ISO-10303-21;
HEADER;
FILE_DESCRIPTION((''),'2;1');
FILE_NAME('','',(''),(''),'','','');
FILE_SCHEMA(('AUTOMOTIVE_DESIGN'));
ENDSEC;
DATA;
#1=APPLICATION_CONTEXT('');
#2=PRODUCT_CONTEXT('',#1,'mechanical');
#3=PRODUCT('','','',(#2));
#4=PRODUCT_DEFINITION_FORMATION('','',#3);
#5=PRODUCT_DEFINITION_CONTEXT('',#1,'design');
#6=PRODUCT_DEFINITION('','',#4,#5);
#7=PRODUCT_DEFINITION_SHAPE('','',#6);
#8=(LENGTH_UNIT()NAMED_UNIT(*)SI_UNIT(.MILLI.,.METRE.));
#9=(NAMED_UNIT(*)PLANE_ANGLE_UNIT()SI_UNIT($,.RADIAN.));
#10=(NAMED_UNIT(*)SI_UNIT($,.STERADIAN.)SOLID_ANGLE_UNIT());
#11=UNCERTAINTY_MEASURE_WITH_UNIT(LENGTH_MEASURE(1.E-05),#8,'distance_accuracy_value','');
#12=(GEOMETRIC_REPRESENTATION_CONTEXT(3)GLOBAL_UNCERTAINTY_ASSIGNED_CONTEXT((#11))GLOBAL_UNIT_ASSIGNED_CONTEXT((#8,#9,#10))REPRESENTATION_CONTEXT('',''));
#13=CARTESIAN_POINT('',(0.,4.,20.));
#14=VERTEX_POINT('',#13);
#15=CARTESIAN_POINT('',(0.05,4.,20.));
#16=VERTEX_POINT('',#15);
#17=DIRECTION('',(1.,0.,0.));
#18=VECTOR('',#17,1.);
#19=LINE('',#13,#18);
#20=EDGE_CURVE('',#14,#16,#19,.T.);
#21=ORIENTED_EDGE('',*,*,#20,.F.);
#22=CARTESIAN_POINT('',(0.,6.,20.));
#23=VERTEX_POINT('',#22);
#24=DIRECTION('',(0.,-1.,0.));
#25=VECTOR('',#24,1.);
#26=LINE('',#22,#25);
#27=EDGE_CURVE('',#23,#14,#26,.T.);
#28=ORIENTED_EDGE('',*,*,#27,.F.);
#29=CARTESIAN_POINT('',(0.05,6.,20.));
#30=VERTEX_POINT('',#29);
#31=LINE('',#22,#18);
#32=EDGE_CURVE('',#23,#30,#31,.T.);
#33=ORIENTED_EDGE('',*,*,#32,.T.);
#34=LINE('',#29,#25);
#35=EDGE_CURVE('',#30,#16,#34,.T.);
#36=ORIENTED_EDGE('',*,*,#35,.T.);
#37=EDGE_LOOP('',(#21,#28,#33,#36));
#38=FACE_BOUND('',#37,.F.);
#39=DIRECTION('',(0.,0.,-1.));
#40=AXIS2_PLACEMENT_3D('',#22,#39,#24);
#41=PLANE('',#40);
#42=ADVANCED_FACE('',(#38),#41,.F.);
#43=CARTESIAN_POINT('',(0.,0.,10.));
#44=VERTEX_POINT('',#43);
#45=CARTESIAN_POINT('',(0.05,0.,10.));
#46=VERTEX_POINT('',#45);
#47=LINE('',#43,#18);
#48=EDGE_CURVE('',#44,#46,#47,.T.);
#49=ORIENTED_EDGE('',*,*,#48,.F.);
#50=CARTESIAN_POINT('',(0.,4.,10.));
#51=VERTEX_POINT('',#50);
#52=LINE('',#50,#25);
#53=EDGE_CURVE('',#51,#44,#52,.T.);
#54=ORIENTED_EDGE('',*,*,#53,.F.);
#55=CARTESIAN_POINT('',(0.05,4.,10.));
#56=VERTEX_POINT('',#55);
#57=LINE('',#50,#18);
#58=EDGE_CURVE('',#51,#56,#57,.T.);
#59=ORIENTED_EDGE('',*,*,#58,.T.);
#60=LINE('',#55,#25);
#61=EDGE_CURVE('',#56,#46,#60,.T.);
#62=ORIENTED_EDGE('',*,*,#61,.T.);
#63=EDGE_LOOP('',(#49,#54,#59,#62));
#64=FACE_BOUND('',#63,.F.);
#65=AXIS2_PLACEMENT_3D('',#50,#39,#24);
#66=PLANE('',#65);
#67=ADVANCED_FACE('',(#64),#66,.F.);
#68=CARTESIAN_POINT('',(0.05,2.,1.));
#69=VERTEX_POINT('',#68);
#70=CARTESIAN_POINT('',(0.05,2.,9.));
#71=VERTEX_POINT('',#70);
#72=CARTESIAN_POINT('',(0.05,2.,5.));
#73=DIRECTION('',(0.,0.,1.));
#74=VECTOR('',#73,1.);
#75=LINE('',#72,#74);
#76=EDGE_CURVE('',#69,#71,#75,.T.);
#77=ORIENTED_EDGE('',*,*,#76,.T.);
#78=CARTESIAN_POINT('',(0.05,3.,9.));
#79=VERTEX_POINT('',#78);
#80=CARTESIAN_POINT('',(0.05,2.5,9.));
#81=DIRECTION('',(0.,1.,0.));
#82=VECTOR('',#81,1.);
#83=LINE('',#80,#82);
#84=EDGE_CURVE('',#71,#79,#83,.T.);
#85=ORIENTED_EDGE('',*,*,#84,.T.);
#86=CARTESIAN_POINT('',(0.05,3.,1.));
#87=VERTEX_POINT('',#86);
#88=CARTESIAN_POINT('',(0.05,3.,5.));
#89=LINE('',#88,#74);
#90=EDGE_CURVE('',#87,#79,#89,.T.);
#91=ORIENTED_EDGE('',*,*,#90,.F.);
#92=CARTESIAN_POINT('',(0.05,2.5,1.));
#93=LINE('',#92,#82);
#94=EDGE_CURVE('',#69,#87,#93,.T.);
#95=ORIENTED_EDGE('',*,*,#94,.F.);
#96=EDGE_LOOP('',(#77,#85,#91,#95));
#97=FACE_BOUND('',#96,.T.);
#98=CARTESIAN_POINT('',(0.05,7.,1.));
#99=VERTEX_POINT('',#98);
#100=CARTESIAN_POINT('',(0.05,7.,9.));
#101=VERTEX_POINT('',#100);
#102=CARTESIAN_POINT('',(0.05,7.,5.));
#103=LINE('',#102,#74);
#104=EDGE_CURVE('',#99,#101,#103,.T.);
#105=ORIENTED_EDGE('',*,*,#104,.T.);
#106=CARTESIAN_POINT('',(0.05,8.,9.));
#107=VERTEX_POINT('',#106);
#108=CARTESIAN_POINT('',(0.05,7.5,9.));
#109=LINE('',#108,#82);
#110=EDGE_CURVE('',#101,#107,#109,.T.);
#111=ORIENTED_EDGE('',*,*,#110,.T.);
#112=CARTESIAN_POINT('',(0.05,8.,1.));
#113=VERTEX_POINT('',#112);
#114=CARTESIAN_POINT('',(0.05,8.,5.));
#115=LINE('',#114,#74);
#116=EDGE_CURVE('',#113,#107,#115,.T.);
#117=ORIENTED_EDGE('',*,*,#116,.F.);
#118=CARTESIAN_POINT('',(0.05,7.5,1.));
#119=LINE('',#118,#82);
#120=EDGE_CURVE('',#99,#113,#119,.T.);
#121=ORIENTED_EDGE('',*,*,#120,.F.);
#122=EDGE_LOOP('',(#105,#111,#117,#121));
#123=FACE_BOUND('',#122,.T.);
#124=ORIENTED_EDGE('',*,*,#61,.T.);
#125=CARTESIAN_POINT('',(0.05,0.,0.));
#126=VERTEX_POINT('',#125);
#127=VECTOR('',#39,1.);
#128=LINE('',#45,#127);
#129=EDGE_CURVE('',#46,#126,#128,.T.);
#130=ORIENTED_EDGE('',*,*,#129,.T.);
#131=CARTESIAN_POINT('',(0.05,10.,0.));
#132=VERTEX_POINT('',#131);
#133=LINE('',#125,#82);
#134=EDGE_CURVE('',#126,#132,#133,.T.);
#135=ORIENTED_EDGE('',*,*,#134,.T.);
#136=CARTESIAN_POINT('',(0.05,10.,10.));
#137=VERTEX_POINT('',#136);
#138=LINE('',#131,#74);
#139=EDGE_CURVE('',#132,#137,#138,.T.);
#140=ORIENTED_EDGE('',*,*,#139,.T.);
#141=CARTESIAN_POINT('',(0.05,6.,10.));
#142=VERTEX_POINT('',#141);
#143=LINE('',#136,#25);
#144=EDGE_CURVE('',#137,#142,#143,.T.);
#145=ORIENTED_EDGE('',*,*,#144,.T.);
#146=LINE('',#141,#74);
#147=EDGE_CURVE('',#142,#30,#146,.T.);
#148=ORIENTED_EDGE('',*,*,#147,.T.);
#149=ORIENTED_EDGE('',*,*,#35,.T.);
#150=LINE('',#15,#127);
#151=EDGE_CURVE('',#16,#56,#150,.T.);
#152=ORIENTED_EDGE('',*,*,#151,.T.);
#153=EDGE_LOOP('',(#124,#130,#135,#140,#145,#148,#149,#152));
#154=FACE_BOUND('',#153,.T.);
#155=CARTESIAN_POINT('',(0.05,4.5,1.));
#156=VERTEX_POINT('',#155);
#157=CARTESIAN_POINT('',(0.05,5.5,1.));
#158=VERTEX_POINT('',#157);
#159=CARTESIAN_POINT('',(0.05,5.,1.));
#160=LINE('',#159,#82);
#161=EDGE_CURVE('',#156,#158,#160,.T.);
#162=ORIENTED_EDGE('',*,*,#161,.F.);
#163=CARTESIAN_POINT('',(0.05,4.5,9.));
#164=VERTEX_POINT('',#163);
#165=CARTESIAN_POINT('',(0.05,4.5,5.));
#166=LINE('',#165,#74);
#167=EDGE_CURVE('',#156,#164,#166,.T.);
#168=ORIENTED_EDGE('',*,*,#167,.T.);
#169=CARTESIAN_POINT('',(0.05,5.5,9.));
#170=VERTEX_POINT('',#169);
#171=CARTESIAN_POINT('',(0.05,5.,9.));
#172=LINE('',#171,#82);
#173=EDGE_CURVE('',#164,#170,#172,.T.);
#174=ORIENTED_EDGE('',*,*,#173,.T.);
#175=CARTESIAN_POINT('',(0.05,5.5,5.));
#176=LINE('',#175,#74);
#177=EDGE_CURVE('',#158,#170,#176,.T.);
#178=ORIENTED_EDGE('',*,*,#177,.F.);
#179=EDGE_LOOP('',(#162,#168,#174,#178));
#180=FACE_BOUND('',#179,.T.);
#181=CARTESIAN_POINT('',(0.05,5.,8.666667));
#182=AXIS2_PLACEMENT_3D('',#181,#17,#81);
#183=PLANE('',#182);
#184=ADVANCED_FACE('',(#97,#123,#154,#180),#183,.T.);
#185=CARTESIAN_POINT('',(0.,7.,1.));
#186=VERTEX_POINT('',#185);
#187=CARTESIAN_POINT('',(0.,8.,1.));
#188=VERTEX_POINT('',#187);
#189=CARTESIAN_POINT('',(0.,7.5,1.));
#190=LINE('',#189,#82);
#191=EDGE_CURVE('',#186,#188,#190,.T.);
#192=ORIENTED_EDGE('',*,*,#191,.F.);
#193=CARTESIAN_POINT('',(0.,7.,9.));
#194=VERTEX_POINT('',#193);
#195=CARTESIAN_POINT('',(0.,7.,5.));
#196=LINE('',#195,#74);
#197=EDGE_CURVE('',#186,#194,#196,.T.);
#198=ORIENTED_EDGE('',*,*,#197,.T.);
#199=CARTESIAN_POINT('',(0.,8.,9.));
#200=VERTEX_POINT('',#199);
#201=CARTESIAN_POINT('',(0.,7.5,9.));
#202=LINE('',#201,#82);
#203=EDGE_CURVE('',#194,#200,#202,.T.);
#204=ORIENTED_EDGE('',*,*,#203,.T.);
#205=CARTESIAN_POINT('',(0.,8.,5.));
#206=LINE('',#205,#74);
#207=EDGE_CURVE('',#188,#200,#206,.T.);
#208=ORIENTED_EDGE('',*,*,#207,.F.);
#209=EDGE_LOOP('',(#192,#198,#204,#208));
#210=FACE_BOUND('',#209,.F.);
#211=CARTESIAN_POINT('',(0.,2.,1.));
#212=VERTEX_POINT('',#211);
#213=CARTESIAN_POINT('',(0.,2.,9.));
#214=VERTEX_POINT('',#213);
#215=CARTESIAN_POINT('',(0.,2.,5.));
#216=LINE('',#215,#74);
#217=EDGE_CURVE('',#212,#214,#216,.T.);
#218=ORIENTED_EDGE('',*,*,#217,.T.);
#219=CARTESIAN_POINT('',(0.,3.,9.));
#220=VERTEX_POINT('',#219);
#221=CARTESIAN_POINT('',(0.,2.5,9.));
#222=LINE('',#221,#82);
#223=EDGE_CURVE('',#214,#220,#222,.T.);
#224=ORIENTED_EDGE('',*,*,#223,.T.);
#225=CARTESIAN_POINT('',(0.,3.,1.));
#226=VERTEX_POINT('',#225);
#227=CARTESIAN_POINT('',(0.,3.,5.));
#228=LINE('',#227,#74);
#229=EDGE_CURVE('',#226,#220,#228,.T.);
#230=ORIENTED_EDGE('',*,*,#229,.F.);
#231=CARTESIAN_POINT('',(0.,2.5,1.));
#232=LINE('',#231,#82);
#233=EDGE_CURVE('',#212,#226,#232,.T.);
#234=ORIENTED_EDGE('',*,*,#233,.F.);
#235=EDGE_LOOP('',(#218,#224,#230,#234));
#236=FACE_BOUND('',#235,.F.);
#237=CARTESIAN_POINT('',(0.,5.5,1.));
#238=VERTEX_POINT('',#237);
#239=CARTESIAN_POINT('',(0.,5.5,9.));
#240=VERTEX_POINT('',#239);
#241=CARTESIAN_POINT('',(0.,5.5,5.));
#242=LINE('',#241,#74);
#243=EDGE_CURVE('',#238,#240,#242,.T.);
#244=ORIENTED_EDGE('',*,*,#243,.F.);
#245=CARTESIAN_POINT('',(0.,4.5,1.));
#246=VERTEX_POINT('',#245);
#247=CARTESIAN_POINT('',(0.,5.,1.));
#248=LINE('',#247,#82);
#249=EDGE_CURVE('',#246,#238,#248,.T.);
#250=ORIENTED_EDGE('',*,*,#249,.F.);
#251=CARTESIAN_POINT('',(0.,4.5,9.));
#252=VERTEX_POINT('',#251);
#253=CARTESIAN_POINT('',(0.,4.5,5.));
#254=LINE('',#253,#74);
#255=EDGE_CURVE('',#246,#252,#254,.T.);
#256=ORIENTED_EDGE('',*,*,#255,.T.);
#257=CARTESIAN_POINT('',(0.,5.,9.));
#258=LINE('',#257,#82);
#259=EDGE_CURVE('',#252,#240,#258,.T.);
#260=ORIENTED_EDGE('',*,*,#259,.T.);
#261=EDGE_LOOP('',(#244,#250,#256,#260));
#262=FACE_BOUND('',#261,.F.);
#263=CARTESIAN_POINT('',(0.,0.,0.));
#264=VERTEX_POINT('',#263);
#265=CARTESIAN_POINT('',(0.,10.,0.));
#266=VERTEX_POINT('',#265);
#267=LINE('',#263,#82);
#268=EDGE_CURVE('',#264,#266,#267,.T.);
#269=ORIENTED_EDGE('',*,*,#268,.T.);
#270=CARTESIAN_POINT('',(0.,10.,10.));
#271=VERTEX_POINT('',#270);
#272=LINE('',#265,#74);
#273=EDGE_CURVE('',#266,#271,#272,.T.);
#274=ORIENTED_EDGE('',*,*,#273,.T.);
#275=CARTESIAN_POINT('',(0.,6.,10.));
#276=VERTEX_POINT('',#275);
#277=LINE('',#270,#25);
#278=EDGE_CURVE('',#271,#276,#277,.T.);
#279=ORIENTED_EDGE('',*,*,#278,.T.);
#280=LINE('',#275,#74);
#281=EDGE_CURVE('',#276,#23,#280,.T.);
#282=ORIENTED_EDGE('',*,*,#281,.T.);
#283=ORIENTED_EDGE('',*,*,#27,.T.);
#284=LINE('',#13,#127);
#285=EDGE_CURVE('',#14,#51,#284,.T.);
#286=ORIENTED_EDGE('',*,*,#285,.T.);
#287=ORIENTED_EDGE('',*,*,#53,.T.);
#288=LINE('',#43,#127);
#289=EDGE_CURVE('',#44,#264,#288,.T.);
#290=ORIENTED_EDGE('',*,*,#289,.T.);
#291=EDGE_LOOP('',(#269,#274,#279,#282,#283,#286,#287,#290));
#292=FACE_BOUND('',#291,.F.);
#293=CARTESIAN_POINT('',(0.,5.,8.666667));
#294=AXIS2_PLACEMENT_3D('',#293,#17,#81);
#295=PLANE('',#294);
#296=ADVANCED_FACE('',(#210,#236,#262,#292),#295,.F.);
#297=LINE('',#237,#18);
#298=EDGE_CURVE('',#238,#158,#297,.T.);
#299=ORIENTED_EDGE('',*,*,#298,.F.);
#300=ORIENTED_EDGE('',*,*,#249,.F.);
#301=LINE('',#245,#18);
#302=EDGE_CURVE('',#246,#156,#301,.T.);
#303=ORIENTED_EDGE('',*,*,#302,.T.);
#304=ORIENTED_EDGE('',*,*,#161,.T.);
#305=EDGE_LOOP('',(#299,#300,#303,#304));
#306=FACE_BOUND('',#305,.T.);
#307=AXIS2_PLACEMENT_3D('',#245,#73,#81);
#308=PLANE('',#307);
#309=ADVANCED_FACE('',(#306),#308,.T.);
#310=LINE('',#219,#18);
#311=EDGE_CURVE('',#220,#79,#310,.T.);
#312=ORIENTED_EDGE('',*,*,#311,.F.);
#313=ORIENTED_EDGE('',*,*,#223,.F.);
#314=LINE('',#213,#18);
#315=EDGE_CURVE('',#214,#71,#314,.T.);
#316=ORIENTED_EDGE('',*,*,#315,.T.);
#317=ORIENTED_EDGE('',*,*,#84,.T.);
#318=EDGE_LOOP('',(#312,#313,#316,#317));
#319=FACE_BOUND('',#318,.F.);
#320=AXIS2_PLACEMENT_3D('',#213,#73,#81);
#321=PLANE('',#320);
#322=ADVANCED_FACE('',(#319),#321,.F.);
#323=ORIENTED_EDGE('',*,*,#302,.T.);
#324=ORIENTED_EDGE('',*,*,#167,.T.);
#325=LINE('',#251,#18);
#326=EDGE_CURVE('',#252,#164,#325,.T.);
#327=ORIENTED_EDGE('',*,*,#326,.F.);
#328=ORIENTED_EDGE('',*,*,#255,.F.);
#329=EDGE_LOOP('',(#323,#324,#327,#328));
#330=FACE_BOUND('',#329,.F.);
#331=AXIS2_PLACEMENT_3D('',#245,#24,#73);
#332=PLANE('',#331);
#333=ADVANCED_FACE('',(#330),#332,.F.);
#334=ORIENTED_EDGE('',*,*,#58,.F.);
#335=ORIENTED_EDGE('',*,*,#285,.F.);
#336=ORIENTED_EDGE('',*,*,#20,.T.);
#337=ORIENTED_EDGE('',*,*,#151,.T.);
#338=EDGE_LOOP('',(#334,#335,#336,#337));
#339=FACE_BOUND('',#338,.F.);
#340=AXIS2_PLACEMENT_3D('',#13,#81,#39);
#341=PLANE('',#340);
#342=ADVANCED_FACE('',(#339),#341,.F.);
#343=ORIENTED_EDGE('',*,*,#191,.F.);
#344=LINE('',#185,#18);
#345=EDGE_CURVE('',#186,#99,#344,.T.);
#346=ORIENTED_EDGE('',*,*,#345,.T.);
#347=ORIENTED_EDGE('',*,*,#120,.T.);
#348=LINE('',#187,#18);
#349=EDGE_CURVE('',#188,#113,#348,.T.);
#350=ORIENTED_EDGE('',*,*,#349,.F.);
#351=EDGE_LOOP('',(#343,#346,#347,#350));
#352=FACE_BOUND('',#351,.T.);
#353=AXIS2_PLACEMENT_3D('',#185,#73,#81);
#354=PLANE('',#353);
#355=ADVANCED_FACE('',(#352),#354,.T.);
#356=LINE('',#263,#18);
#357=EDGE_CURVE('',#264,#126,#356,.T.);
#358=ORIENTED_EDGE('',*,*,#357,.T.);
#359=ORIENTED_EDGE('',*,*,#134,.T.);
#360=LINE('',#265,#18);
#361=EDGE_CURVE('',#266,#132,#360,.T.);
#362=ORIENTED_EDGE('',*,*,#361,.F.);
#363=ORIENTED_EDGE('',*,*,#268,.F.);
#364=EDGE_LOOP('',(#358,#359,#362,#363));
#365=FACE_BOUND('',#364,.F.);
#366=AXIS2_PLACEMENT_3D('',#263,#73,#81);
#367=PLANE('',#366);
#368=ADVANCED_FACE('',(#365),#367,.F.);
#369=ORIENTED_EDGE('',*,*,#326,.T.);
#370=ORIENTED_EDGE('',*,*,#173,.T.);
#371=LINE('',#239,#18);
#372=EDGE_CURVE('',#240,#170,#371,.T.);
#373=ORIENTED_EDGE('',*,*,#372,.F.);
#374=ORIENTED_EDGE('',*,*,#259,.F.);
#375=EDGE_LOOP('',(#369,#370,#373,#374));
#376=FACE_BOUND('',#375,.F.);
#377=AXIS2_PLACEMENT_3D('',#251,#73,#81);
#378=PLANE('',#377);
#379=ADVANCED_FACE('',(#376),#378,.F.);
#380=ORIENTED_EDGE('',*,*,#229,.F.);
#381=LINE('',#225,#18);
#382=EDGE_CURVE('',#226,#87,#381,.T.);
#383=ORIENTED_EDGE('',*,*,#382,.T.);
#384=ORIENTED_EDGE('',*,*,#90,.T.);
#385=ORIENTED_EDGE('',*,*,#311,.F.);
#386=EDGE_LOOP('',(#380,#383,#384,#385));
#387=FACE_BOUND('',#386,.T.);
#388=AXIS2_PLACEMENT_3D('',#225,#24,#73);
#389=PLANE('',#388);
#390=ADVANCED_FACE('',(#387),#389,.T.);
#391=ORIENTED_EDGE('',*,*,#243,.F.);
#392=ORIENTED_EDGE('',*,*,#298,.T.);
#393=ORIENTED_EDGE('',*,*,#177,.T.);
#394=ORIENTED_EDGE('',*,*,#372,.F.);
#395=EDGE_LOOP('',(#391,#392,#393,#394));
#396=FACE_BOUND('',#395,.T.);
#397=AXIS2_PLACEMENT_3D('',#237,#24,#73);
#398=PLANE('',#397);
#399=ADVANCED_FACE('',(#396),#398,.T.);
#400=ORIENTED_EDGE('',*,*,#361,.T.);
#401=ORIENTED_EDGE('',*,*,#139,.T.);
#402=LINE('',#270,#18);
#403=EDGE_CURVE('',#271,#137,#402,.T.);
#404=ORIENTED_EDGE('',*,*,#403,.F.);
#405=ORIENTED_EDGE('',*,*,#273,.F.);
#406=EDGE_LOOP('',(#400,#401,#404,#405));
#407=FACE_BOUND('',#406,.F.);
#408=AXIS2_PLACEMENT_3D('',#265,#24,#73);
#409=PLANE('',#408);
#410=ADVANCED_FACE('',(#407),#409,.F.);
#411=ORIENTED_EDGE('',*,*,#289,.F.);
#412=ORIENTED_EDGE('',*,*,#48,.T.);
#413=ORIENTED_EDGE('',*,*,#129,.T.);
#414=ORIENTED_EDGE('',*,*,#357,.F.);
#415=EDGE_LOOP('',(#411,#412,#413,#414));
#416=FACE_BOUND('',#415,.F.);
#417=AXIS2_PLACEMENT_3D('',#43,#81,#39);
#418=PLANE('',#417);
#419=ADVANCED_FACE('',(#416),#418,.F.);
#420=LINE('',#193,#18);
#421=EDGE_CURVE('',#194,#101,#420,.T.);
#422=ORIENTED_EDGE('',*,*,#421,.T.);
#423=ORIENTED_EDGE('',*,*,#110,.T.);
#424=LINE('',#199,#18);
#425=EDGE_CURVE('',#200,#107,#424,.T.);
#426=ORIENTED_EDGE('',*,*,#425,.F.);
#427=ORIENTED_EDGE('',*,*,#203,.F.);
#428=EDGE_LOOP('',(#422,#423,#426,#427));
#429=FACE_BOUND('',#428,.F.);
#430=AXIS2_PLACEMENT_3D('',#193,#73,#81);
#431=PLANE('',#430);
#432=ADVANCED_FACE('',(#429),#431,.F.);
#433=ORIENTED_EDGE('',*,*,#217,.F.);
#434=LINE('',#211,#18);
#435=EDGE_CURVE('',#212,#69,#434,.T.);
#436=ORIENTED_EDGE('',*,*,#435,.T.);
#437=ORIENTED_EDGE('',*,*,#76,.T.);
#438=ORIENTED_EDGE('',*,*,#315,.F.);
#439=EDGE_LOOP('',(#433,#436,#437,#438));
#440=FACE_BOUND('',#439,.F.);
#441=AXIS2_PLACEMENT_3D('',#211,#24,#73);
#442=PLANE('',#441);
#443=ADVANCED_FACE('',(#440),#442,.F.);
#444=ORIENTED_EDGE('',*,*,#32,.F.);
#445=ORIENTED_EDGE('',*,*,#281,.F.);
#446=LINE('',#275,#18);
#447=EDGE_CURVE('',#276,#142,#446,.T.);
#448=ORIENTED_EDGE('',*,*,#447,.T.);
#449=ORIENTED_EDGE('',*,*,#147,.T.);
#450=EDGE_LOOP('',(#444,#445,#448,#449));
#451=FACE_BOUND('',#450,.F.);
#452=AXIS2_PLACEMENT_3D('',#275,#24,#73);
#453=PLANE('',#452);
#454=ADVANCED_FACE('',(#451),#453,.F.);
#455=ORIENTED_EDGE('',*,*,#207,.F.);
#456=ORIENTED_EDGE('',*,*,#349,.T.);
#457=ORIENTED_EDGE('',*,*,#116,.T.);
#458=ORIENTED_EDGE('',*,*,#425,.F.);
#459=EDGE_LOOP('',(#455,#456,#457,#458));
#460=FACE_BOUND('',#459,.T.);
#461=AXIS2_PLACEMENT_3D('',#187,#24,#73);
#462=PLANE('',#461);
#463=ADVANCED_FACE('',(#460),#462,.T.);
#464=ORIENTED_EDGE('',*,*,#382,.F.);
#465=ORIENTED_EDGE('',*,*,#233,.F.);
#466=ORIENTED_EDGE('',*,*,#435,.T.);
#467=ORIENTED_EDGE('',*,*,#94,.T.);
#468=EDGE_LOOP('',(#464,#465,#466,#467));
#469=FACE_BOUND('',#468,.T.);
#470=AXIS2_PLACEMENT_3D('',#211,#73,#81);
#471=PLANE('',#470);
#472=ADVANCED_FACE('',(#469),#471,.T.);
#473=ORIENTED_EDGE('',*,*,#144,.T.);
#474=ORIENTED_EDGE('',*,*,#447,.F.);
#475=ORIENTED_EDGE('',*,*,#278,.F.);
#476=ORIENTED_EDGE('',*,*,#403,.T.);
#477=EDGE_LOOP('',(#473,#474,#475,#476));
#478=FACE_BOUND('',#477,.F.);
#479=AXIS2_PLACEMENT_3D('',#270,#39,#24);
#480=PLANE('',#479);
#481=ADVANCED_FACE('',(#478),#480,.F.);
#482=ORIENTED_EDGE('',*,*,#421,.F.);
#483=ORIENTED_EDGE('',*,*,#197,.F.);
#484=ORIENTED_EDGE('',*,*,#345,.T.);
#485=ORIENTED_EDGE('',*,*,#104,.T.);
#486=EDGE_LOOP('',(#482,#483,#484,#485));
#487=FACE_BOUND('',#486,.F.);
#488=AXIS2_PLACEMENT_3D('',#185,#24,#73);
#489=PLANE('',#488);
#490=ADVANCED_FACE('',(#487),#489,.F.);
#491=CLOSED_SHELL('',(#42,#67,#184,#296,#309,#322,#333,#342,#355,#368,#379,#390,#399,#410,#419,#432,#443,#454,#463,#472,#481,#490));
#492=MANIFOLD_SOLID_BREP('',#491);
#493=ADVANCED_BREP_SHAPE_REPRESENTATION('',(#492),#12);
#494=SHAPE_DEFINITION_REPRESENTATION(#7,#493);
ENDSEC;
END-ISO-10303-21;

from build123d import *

# Parameters (mm, degrees)
F0_W     = 1
F0_H     = 8
F1_DEPTH = 0.05


with BuildPart() as f1:
    # F0 (on Right) → F1 (new body)
    with BuildSketch(Plane.YZ):
        Polygon((0, 1), (0, 0), (10, 0), (10, 10), (6, 10), (6, 20), (4, 20), (4, 10), (0, 10), (0, 9), align=None)
        with Locations((2.5, 5)):
            Rectangle(F0_W, F0_H, mode=Mode.SUBTRACT)
        with Locations((5, 5)):
            Rectangle(F0_W, F0_H, mode=Mode.SUBTRACT)
        with Locations((7.5, 5)):
            Rectangle(F0_W, F0_H, mode=Mode.SUBTRACT)
    extrude(amount=F1_DEPTH)


solid = f1.part
